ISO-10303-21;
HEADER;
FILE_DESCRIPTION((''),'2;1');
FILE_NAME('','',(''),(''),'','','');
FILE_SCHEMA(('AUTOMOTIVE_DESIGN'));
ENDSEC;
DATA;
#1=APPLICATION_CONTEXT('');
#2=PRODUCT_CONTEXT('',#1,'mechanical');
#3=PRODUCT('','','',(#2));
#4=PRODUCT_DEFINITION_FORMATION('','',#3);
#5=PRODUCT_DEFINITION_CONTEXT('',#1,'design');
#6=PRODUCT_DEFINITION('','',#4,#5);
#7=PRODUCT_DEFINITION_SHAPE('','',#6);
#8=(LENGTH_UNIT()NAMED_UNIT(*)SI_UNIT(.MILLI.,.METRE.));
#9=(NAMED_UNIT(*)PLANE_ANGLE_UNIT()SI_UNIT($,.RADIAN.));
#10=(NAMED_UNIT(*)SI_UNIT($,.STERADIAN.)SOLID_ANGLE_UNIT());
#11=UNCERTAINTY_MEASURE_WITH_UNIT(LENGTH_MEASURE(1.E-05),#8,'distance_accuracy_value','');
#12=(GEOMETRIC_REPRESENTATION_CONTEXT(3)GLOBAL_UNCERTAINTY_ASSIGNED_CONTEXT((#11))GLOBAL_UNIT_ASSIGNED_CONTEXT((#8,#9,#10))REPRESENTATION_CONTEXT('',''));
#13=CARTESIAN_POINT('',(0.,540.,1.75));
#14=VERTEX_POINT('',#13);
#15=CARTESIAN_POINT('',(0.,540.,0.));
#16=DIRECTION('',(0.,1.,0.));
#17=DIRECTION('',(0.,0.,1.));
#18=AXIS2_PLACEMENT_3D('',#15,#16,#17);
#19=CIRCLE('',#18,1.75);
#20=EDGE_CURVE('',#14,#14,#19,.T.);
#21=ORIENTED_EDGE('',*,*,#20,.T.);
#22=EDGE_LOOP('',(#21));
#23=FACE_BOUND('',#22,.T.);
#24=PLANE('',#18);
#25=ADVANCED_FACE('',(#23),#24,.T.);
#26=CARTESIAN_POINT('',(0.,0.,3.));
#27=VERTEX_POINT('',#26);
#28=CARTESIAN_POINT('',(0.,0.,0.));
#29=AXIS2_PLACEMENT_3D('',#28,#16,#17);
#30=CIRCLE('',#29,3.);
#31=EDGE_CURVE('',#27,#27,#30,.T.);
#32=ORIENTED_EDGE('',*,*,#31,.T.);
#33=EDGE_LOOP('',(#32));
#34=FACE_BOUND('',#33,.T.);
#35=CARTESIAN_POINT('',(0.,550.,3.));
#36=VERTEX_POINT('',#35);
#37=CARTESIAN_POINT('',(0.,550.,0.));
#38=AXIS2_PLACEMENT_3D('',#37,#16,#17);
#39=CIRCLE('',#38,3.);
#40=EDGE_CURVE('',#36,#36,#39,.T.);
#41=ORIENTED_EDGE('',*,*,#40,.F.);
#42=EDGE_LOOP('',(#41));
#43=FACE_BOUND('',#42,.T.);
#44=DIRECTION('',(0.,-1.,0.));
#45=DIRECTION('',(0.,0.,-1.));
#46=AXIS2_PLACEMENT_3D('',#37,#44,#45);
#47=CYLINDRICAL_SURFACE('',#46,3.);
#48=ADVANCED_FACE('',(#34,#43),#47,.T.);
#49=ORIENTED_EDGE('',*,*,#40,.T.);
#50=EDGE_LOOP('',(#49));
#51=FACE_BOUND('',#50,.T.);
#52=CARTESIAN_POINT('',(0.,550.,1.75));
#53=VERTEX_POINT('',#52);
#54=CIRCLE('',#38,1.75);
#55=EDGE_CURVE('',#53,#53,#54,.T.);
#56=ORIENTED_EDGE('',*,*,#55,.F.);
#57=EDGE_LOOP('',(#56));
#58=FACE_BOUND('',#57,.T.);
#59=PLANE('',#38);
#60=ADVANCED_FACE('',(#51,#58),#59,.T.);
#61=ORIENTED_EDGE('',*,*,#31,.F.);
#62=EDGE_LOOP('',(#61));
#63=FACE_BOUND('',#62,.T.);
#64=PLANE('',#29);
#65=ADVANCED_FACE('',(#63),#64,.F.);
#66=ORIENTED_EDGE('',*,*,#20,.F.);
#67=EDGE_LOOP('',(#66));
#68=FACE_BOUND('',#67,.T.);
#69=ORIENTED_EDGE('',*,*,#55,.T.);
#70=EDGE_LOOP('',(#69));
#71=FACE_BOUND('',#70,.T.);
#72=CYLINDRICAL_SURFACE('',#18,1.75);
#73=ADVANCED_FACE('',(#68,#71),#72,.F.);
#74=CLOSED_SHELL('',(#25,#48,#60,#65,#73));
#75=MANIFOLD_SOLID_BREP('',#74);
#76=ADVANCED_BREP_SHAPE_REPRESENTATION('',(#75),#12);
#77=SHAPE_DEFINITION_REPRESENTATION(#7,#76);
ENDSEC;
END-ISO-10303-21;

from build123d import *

# Parameters (mm, degrees)
SKETCH1_R           = 3
BOSS_EXTRUDE1_DEPTH = 550
SKETCH2_R           = 1.75
CUT_EXTRUDE1_DEPTH  = 10


with BuildPart() as part:
    # Sketch1 → Boss-Extrude1 (new body)
    with BuildSketch(Plane(origin=(0, 0, 0), x_dir=(1, 0, 0), z_dir=(0, 1, 0))):
        with Locations(Location((0, 0, 0), (0, 0, 270))):
            Circle(SKETCH1_R)
    extrude(amount=BOSS_EXTRUDE1_DEPTH)

    # Sketch2 → Cut-Extrude1 (cut)
    with BuildSketch(Plane(origin=(0, 550, 0), x_dir=(1, 0, 0), z_dir=(0, 1, 0))):
        with Locations(Location((0, 0, 0), (0, 0, 270))):
            Circle(SKETCH2_R)
    extrude(amount=-CUT_EXTRUDE1_DEPTH, mode=Mode.SUBTRACT)


solid = part.part
